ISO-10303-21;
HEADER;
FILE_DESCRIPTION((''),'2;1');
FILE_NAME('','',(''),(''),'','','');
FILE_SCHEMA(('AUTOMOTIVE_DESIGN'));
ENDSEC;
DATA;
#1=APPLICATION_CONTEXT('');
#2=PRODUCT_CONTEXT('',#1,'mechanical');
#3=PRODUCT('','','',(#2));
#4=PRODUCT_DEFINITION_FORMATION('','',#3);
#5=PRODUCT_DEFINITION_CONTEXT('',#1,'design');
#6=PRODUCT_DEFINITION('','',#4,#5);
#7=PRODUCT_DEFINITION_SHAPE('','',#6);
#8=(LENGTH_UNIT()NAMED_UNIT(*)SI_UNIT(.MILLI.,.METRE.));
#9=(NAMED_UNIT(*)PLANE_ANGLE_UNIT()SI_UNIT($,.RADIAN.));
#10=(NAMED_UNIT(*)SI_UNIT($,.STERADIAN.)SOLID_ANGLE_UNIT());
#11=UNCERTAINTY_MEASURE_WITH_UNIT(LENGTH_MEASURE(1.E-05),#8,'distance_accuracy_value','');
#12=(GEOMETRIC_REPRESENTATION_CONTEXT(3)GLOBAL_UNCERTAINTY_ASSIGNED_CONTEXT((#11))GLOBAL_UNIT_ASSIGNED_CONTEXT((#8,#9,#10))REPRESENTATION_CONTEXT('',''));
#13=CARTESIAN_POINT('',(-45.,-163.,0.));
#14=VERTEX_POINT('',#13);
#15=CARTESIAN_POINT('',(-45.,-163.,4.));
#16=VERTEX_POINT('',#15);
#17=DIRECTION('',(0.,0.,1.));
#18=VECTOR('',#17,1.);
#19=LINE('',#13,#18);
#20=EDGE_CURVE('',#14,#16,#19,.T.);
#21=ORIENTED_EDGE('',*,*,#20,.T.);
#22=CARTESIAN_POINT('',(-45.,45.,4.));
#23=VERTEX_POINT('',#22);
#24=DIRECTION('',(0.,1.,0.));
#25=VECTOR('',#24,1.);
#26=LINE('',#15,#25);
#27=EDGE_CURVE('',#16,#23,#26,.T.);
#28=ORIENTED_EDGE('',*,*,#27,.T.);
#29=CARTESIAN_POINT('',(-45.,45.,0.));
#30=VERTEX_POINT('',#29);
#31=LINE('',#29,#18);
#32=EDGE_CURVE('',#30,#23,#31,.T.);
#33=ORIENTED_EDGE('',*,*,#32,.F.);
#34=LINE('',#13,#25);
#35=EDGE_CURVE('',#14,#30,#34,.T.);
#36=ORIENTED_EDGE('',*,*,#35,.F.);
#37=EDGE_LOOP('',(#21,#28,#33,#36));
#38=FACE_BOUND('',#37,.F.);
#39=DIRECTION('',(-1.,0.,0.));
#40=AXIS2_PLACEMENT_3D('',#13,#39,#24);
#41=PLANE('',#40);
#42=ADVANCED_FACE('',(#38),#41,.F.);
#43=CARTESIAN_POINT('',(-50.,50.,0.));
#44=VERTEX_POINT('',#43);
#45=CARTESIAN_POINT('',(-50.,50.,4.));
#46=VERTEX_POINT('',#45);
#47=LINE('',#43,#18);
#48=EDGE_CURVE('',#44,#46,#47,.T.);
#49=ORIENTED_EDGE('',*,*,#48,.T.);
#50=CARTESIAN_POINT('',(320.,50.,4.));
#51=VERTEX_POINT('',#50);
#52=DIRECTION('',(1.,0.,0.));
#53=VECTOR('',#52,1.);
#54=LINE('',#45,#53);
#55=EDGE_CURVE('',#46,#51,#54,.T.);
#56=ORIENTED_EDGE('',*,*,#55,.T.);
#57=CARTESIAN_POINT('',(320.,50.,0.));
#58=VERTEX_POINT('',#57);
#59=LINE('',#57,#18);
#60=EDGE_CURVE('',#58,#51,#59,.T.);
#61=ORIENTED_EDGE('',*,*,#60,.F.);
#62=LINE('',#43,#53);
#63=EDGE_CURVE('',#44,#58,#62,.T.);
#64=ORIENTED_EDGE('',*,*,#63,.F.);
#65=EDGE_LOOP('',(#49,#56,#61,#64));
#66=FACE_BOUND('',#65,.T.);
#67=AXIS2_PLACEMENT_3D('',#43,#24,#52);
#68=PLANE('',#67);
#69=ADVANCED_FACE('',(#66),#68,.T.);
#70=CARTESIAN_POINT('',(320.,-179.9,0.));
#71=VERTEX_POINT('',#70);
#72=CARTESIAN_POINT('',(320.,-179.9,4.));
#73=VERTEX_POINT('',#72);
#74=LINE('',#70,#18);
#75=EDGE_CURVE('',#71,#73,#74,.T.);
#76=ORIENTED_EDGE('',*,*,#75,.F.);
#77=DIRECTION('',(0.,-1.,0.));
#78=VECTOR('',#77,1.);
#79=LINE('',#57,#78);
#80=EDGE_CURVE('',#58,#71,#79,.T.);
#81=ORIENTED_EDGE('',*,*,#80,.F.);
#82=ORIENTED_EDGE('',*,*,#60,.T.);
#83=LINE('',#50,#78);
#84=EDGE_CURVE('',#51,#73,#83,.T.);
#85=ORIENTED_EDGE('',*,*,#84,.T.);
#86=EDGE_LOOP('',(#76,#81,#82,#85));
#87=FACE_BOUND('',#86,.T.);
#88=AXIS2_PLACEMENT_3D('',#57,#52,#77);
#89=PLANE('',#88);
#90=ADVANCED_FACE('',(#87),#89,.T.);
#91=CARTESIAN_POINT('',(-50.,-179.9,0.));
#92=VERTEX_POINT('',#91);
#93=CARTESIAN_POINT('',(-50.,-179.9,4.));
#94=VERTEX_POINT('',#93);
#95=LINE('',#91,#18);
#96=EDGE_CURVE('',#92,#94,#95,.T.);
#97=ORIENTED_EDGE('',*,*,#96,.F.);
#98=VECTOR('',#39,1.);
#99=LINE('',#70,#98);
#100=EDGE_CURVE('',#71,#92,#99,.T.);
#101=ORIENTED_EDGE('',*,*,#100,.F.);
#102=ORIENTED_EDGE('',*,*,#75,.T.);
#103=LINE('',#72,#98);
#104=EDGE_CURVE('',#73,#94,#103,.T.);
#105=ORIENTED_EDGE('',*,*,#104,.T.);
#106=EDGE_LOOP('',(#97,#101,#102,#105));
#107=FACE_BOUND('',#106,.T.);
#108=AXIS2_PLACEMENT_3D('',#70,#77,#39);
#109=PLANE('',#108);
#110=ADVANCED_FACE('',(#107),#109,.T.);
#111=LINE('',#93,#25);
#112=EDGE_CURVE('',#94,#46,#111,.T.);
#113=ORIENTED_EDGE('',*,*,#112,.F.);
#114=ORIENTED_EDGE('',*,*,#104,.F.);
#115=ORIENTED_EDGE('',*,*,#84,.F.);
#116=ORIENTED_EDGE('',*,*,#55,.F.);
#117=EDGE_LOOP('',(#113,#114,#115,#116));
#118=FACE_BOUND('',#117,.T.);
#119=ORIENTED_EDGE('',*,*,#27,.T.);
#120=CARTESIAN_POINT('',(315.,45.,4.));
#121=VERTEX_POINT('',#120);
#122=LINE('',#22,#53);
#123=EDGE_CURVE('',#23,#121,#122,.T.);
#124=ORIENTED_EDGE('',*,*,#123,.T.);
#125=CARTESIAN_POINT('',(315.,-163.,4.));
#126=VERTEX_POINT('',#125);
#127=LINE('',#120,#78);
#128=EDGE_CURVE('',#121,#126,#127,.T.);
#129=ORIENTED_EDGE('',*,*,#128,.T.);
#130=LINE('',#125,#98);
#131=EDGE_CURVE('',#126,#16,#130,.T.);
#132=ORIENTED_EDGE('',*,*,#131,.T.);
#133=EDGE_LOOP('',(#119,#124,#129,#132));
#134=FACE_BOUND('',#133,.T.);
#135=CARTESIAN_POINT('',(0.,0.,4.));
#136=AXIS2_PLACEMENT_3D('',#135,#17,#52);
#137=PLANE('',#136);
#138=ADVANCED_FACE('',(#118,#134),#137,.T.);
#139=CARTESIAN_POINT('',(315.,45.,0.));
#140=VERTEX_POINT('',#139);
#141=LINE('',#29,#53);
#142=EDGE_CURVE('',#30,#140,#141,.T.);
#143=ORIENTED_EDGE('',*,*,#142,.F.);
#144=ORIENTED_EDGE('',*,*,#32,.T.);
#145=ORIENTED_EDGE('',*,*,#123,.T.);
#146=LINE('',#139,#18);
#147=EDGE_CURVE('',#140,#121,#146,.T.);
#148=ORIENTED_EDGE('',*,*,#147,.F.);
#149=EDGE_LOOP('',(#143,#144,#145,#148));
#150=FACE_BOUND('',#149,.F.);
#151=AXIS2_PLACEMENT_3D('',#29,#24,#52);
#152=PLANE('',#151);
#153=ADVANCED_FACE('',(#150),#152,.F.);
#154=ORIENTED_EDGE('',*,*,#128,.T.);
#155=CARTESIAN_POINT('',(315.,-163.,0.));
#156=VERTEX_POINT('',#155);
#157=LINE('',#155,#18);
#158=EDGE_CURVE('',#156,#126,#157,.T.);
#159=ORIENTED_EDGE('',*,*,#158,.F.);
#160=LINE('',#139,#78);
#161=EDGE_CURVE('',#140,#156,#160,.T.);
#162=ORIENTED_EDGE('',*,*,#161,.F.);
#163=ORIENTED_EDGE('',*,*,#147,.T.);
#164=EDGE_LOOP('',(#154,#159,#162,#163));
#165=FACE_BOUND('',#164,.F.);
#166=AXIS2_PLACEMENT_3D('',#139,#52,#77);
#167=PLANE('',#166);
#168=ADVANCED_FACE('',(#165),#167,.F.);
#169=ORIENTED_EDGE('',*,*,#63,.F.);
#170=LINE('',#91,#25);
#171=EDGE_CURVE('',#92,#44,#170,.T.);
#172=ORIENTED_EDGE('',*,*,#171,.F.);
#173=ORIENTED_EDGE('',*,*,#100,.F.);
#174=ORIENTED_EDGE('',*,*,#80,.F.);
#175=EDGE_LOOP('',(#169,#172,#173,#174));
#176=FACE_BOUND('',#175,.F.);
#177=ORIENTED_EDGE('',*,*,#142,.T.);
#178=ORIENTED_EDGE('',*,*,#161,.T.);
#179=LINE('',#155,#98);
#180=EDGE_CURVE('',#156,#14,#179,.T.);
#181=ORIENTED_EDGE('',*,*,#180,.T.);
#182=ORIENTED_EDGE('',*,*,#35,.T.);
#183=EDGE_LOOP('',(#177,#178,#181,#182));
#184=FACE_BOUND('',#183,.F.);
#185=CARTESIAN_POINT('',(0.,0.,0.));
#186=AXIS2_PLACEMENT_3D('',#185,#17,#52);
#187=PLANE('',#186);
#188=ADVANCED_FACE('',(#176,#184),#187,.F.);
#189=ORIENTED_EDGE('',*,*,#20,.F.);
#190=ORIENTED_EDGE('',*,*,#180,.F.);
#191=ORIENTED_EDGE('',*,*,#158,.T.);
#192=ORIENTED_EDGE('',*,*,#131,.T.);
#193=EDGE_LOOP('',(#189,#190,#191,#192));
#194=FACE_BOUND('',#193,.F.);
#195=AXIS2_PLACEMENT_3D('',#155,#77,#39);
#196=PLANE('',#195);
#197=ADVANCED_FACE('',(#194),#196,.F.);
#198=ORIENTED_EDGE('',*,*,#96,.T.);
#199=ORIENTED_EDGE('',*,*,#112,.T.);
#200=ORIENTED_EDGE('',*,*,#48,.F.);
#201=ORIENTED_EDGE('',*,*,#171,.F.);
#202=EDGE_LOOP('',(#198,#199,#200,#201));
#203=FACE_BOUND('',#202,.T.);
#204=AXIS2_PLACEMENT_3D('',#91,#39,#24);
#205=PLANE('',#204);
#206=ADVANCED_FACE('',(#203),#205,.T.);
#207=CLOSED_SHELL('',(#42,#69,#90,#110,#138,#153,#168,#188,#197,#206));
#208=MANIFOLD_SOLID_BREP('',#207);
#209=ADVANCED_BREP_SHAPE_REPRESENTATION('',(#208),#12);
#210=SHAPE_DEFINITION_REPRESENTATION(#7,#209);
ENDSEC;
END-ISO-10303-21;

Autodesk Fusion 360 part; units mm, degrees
sketch "Szkic1" plane through (0, 0, 0) normal (0, 0, 1) x (1, 0, 0)
  line L0 (-50, 50) -> (320, 50)
  line L1 (320, 50) -> (320, -179.9)
  line L2 (320, -179.9) -> (-50, -179.9)
  line L3 (-50, -179.9) -> (-50, 50)
  line L4 (-45, 45) -> (315, 45)
  line L5 (315, 45) -> (315, -163)
  line L6 (315, -163) -> (-45, -163)
  line L7 (-45, -163) -> (-45, 45)
  dimension "d1" = 370
  dimension "d2" = 229.9
  dimension "d3" = 360
  dimension "d4" = 208
  dimension "d6" = 5
  dimension "d7" = 5
extrude "Wyciągnięcie proste1" add sketch "Szkic1" along normal blind 4
